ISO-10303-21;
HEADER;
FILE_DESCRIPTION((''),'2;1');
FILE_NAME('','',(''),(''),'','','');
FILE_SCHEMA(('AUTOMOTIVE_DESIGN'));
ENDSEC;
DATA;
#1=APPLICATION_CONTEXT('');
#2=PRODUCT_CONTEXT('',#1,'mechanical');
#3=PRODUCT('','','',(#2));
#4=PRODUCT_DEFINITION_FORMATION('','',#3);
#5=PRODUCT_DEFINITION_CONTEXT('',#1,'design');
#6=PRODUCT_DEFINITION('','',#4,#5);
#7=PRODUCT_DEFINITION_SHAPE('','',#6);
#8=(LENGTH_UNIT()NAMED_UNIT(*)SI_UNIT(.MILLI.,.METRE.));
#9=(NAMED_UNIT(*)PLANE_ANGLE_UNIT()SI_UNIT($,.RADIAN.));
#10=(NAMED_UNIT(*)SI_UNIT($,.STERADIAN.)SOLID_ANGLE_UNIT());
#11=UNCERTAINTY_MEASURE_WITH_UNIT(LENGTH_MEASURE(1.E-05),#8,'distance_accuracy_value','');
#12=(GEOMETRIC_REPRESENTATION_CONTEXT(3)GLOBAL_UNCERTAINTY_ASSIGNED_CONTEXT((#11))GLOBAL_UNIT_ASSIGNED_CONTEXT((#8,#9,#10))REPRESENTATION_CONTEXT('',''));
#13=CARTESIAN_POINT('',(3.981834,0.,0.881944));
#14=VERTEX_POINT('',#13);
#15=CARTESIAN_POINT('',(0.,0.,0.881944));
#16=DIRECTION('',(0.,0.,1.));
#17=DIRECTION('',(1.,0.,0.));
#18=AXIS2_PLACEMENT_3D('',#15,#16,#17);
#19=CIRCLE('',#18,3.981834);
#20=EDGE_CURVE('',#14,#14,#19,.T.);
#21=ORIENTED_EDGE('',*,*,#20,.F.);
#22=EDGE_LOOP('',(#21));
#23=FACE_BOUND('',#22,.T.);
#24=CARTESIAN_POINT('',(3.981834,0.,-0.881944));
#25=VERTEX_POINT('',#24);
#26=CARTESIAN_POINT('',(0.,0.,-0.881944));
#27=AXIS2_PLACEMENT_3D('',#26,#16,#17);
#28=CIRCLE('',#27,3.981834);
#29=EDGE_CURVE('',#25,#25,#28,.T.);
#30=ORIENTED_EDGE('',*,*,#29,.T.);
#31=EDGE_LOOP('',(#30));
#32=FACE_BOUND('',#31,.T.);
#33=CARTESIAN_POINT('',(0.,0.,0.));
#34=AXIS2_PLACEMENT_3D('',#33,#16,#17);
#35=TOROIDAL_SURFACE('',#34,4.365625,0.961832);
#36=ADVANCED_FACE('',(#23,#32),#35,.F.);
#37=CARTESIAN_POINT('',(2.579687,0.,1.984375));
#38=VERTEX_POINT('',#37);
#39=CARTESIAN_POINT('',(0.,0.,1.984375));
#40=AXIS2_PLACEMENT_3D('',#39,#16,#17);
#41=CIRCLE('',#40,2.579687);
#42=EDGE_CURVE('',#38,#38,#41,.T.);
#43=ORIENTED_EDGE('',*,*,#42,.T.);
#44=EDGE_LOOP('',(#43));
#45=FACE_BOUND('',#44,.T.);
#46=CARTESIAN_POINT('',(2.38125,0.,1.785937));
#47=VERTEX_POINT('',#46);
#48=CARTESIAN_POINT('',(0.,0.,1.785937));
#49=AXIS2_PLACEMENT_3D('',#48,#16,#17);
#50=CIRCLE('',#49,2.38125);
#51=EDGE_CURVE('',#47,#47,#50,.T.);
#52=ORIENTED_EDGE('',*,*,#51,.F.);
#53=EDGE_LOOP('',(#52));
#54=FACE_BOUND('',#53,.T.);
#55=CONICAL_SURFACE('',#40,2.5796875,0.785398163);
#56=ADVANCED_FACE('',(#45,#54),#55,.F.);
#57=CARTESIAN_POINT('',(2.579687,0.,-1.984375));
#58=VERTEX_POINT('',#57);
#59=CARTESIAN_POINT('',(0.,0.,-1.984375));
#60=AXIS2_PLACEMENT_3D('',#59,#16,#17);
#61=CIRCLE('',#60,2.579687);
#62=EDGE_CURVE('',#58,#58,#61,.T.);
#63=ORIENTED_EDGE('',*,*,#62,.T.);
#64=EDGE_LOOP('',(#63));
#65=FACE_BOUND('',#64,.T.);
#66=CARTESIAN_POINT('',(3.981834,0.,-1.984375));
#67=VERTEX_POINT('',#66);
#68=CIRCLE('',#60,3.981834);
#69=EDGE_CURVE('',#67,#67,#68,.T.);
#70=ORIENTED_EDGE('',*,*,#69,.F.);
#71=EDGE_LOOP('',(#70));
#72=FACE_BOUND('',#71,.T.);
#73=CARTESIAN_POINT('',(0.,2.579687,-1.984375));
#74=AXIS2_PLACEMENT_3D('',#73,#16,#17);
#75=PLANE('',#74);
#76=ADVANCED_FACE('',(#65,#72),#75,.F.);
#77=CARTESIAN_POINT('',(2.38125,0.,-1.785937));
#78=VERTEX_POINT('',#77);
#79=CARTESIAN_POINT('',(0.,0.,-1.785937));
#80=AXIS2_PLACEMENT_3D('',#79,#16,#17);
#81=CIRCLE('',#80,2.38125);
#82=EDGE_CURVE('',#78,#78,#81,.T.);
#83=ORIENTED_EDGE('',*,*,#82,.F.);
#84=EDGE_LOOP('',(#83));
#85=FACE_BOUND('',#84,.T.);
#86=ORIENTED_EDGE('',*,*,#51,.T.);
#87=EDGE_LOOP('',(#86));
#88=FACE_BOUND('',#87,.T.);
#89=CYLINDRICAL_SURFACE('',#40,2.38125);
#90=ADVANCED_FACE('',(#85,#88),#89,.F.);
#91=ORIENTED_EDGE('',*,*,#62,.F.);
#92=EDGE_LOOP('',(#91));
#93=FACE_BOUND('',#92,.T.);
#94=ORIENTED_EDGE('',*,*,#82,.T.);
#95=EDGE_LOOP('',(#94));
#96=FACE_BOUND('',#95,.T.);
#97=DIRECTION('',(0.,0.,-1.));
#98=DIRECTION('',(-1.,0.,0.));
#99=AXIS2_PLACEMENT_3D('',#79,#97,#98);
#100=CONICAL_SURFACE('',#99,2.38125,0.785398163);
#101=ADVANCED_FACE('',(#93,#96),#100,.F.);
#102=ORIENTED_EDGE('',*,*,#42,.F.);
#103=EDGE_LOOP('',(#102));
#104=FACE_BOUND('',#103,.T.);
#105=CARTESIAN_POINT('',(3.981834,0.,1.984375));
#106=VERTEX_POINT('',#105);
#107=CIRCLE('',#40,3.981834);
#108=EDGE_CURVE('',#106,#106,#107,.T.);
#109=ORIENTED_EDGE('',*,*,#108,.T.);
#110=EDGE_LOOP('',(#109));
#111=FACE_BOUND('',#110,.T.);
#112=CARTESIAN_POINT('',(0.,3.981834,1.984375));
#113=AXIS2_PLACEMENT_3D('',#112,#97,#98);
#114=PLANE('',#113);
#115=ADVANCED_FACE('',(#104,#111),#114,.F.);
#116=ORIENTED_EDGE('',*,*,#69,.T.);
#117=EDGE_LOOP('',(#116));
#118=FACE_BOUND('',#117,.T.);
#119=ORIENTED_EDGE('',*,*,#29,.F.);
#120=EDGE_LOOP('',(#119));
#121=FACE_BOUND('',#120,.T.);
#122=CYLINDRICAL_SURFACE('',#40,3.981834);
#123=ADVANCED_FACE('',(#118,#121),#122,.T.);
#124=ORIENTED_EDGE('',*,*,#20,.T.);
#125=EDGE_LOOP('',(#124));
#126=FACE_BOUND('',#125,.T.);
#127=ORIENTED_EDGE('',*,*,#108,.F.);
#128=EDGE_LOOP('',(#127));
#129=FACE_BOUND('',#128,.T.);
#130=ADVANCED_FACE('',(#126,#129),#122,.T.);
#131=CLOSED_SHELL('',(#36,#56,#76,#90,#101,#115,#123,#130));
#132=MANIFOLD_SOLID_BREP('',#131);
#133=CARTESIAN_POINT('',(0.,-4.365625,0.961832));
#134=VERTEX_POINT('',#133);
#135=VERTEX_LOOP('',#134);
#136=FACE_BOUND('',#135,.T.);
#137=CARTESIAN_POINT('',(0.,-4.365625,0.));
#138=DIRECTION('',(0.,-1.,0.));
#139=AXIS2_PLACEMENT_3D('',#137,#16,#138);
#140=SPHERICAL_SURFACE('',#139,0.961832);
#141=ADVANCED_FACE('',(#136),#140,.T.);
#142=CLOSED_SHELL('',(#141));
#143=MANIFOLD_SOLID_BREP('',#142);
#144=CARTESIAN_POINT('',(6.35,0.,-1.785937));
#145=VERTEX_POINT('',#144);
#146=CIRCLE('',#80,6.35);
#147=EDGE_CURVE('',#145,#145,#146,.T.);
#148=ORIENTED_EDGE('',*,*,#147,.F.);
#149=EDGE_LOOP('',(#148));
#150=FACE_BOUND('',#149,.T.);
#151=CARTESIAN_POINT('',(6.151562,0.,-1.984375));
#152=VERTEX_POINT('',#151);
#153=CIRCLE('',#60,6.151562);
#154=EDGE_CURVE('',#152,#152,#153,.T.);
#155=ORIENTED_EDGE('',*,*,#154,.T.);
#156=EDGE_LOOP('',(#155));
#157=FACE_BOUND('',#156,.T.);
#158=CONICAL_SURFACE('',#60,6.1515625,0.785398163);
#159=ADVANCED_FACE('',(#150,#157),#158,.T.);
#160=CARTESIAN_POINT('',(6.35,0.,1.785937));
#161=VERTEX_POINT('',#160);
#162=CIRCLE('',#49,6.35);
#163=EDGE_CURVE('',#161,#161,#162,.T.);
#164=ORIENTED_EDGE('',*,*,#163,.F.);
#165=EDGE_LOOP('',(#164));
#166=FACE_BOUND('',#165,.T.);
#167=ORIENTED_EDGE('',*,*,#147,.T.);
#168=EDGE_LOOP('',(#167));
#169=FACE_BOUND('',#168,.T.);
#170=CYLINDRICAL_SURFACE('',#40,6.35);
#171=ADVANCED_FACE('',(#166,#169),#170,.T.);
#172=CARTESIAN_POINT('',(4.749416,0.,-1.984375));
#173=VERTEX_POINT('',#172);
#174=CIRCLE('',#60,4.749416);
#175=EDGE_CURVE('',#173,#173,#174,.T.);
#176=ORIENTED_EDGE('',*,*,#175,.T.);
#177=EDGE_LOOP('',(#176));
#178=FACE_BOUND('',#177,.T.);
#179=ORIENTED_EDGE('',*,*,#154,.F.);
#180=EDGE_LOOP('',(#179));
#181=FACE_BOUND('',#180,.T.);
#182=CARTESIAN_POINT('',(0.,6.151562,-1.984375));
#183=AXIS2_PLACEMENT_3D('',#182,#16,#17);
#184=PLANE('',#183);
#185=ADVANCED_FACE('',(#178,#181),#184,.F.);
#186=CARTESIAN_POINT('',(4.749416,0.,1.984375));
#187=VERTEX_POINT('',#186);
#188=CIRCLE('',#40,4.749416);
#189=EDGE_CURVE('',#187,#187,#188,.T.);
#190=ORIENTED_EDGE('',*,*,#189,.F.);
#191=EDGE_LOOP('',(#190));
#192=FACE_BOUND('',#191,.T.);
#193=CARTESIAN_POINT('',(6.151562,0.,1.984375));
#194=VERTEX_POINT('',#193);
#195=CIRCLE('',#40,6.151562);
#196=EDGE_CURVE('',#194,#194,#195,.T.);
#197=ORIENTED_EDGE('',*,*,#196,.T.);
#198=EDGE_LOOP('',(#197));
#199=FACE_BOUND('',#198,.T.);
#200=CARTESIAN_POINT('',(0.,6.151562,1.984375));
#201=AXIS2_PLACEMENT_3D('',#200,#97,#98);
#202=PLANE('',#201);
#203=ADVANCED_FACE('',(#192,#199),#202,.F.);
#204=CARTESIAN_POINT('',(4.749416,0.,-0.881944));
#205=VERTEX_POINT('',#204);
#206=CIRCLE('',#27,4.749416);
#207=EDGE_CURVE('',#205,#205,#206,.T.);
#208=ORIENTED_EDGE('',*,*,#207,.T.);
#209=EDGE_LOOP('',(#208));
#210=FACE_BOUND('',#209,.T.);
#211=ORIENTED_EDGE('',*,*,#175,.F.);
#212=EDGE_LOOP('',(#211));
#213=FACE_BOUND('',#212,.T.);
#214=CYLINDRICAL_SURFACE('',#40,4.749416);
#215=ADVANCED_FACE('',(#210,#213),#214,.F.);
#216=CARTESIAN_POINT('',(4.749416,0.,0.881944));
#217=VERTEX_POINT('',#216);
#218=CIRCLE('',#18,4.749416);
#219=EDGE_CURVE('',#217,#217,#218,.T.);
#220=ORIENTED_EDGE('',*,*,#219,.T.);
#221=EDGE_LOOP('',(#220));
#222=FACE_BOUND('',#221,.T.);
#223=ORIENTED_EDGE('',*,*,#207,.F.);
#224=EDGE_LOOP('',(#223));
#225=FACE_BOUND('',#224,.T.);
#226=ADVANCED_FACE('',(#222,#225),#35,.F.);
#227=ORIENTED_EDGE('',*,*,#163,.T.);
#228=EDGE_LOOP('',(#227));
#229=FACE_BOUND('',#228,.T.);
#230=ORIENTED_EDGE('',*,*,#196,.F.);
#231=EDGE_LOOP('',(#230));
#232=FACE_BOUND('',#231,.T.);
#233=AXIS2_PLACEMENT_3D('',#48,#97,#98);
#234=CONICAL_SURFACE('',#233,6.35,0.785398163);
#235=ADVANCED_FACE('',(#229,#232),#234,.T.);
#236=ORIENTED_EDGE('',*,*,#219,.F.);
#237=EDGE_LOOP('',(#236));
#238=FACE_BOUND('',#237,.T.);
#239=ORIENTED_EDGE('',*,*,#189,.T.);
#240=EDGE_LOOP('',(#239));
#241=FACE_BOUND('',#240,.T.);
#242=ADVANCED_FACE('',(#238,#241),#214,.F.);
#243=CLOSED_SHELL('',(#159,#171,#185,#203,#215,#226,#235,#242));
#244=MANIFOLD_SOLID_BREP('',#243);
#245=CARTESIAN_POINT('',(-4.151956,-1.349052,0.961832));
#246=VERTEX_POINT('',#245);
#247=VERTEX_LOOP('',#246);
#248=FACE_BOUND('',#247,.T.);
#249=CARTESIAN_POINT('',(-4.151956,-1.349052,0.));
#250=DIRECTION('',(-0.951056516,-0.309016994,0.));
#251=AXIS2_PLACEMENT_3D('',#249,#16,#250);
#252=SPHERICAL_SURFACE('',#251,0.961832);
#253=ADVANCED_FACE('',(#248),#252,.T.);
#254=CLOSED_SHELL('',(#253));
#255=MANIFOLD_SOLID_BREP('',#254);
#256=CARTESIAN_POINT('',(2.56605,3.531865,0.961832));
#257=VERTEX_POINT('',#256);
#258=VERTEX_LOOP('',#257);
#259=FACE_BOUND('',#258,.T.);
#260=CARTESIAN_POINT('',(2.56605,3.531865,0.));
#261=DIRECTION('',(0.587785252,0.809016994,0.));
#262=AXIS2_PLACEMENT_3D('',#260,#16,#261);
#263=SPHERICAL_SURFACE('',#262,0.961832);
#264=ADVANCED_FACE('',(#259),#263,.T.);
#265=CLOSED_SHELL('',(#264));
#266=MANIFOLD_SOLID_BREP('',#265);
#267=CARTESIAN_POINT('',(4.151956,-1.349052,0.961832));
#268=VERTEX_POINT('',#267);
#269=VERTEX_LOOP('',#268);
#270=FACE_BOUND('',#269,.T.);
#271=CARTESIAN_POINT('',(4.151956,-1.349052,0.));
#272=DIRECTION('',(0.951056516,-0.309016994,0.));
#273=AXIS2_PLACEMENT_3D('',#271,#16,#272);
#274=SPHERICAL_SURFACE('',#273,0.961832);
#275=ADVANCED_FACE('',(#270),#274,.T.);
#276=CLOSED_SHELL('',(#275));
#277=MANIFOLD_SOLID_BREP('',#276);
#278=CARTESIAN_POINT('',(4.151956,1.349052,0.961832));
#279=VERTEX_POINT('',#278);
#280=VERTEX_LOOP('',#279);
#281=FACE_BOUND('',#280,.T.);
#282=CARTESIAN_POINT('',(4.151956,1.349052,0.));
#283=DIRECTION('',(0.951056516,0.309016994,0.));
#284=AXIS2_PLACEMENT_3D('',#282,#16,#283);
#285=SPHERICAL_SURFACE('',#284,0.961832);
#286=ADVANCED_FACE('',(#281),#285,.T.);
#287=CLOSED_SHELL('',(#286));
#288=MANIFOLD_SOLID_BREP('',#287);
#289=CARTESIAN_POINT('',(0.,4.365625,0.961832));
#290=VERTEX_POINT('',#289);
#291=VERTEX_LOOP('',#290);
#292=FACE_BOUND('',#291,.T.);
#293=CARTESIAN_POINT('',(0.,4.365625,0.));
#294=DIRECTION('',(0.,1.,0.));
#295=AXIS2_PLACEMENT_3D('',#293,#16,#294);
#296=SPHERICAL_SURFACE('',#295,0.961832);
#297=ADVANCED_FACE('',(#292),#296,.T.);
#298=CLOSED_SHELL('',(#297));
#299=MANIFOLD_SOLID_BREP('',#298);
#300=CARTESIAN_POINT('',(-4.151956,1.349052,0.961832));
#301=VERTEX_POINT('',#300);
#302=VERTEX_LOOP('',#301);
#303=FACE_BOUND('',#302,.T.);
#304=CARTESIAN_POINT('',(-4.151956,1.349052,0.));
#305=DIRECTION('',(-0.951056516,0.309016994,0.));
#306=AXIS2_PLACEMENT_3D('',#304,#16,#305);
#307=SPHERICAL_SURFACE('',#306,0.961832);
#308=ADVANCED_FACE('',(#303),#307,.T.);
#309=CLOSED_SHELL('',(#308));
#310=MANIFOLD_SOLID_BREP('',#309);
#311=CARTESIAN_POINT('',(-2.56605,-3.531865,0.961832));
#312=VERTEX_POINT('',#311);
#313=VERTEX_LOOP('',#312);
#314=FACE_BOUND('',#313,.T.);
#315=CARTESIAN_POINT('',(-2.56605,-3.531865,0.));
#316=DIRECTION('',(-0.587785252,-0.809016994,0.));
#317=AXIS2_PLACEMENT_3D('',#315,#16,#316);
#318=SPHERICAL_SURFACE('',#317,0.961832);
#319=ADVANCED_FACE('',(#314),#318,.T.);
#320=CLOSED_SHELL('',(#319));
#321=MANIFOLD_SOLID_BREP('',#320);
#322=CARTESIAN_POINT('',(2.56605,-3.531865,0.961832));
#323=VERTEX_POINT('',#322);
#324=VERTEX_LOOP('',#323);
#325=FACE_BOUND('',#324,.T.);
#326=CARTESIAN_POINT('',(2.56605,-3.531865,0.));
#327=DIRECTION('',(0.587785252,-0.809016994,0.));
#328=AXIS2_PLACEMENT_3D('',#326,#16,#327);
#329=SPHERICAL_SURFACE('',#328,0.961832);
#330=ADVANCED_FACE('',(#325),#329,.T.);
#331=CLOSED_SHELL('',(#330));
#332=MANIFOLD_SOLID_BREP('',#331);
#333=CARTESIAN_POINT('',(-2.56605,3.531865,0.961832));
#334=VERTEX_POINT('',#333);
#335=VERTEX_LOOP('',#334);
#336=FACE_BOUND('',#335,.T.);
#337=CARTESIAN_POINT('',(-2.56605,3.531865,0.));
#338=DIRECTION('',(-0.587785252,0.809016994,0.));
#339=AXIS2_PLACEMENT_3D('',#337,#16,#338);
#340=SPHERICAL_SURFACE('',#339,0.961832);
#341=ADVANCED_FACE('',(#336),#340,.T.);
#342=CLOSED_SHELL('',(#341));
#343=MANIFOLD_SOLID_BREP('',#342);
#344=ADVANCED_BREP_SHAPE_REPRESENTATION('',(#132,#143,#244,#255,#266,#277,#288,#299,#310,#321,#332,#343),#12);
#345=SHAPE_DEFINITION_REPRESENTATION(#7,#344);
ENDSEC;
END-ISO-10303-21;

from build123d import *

# Parameters (mm, degrees)
CIRPATTERN1_COUNT = 10


with BuildPart() as part:
    # Sketch1 → Revolve1 (revolve)
    with BuildSketch(Plane(origin=(0, 0, 0), x_dir=(0, 0, -1), z_dir=(1, 0, 0))):
        with BuildLine():
            Line((1.7859375, 6.35), (-1.7859375, 6.35))
            Line((-1.7859375, 6.35), (-1.984375, 6.1515625))
            Line((-1.984375, 6.1515625), (-1.984375, 4.749416209))
            Line((-1.984375, 4.749416209), (-0.881944444, 4.749416209))
            ThreePointArc((-0.881944444, 4.749416209), (0, 5.327457467), (0.881944444, 4.749416209))
            Line((0.881944444, 4.749416209), (1.984375, 4.749416209))
            Line((1.984375, 4.749416209), (1.984375, 6.1515625))
            Line((1.984375, 6.1515625), (1.7859375, 6.35))
        make_face()
    revolve(axis=Axis((0, 0, 1.984375), (0, 0, -1)))


with BuildPart() as body_2:
    # Sketch3 → Revolve3 (revolve)
    with BuildSketch(Plane(origin=(0, 0, 0), x_dir=(0, 0, -1), z_dir=(1, 0, 0))):
        with BuildLine():
            Line((-1.984375, 3.981833791), (-0.881944444, 3.981833791))
            ThreePointArc((-0.881944444, 3.981833791), (0, 3.403792533), (0.881944444, 3.981833791))
            Line((0.881944444, 3.981833791), (1.984375, 3.981833791))
            Line((1.984375, 3.981833791), (1.984375, 2.5796875))
            Line((1.984375, 2.5796875), (1.7859375, 2.38125))
            Line((1.7859375, 2.38125), (-1.7859375, 2.38125))
            Line((-1.7859375, 2.38125), (-1.984375, 2.5796875))
            Line((-1.984375, 2.5796875), (-1.984375, 3.981833791))
        make_face()
    revolve(axis=Axis((0, 0, 1.984375), (0, 0, -1)))


with BuildPart() as body_3:
    # Sketch4 → Revolve4 (revolve)
    with BuildSketch(Plane(origin=(0, 0, 0), x_dir=(0, 0, -1), z_dir=(1, 0, 0))):
        with BuildLine():
            Line((-0.961832467, 4.365625), (0.961832467, 4.365625))
            ThreePointArc((0.961832467, 4.365625), (0, 5.327457467), (-0.961832467, 4.365625))
        make_face()
    revolve(axis=Axis((0, 4.365625, 0.961832467), (0, 0, -1)))


with BuildPart() as cirpattern1_1:
    # CirPattern1: pattern copy
    add(body_3.part.rotate(Axis((0, 0, -1.984375), (0, 0, 1)), 1 * 360 / CIRPATTERN1_COUNT))


with BuildPart() as cirpattern1_2:
    # CirPattern1: pattern copy
    add(body_3.part.rotate(Axis((0, 0, -1.984375), (0, 0, 1)), 2 * 360 / CIRPATTERN1_COUNT))


with BuildPart() as cirpattern1_3:
    # CirPattern1: pattern copy
    add(body_3.part.rotate(Axis((0, 0, -1.984375), (0, 0, 1)), 3 * 360 / CIRPATTERN1_COUNT))


with BuildPart() as cirpattern1_4:
    # CirPattern1: pattern copy
    add(body_3.part.rotate(Axis((0, 0, -1.984375), (0, 0, 1)), 4 * 360 / CIRPATTERN1_COUNT))


with BuildPart() as cirpattern1_5:
    # CirPattern1: pattern copy
    add(body_3.part.rotate(Axis((0, 0, -1.984375), (0, 0, 1)), 5 * 360 / CIRPATTERN1_COUNT))


with BuildPart() as cirpattern1_6:
    # CirPattern1: pattern copy
    add(body_3.part.rotate(Axis((0, 0, -1.984375), (0, 0, 1)), 6 * 360 / CIRPATTERN1_COUNT))


with BuildPart() as cirpattern1_7:
    # CirPattern1: pattern copy
    add(body_3.part.rotate(Axis((0, 0, -1.984375), (0, 0, 1)), 7 * 360 / CIRPATTERN1_COUNT))


with BuildPart() as cirpattern1_8:
    # CirPattern1: pattern copy
    add(body_3.part.rotate(Axis((0, 0, -1.984375), (0, 0, 1)), 8 * 360 / CIRPATTERN1_COUNT))


with BuildPart() as cirpattern1_9:
    # CirPattern1: pattern copy
    add(body_3.part.rotate(Axis((0, 0, -1.984375), (0, 0, 1)), 9 * 360 / CIRPATTERN1_COUNT))


solid = Compound([part.part, body_2.part, body_3.part, cirpattern1_1.part, cirpattern1_2.part, cirpattern1_3.part, cirpattern1_4.part, cirpattern1_5.part, cirpattern1_6.part, cirpattern1_7.part, cirpattern1_8.part, cirpattern1_9.part])
